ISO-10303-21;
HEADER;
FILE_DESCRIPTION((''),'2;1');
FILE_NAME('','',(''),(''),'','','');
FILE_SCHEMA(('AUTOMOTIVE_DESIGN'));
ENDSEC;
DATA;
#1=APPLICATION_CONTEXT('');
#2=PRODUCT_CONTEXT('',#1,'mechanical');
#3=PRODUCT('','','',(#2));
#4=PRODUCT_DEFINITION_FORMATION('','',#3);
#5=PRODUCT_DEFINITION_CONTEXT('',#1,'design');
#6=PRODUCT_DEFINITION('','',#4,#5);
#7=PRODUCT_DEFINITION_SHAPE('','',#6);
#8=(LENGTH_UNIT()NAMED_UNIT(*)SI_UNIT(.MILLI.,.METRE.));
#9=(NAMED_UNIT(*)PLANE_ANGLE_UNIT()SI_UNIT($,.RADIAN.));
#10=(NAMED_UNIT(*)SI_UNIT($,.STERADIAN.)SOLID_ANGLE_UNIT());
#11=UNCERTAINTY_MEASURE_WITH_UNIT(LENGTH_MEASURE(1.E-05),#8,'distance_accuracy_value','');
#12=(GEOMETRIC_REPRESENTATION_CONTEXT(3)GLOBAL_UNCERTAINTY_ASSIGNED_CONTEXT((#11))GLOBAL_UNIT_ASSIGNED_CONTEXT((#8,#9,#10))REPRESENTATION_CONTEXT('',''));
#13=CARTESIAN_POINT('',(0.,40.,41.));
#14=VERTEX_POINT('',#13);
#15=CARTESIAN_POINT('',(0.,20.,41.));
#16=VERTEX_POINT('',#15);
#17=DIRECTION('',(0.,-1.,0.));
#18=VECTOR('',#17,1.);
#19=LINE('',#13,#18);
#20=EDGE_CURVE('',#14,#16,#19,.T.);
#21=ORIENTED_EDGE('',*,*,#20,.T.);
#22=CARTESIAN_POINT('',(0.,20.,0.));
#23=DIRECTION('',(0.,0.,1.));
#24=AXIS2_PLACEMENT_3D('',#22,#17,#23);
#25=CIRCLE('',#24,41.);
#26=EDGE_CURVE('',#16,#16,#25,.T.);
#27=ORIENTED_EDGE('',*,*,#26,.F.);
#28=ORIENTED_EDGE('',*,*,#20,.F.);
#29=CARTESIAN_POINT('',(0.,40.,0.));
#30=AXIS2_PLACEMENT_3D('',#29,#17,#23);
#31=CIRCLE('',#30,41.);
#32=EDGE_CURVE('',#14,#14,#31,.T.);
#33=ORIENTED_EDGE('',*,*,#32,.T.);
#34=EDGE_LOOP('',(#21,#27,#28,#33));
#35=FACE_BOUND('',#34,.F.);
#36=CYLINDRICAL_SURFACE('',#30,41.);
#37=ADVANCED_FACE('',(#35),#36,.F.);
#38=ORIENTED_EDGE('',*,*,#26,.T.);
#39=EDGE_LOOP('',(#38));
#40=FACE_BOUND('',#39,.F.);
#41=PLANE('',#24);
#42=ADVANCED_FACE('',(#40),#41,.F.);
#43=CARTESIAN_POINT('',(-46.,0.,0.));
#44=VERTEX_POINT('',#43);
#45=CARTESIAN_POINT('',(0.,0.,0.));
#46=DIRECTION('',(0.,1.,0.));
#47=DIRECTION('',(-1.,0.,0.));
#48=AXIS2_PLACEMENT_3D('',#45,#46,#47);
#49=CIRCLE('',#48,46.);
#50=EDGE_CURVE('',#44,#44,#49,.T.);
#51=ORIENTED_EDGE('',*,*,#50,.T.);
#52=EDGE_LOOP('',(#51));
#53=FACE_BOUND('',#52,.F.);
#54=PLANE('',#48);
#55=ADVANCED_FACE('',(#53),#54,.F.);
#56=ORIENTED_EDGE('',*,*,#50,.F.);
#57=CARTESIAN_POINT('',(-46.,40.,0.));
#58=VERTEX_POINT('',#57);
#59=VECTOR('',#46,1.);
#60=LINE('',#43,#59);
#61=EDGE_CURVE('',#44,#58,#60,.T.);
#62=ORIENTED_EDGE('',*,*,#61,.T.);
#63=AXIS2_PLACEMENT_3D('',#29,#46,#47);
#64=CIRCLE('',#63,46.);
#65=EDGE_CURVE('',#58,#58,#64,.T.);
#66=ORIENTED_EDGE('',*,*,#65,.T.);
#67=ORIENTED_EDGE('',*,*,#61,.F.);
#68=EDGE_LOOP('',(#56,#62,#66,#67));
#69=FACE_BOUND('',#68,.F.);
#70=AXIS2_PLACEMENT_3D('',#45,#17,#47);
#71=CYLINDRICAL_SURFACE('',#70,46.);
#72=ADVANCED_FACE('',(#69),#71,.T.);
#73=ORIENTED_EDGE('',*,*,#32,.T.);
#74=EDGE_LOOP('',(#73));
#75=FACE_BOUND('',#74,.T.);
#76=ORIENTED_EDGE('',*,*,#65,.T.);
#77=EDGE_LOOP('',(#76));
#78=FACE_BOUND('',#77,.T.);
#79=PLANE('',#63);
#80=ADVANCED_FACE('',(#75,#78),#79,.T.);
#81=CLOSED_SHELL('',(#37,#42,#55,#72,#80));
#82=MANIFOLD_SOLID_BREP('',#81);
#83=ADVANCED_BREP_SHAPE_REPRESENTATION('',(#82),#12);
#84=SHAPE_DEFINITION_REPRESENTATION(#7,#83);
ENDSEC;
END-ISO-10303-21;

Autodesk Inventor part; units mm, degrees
ref_plane "YZ Plane" through (0, 0, 0) normal (1, 0, 0) x (0, 1, 0)
ref_plane "XZ Plane" through (0, 0, 0) normal (0, 1, 0) x (-1, 0, 0)
ref_plane "XY Plane" through (0, 0, 0) normal (0, 0, 1) x (1, 0, 0)
sketch "Schizzo1" plane through (0, 0, 0) normal (0, 1, 0) x (-1, 0, 0)
  circle A0 centre (0, 0) radius 46
  dimension "d0" = 92
extrude "Estrusione1" add sketch "Schizzo1" along normal blind 40
sketch "Schizzo2" plane through (0, 40, 0) normal (0, 1, 0) x (1, 0, 0)
  point P0 (0, 0)
  point P1 (0, 0)
hole "Foro1" at (0, 40, 0) direction (0, -1, 0) diameter 82 depth 20
properties part number "Gamba"
